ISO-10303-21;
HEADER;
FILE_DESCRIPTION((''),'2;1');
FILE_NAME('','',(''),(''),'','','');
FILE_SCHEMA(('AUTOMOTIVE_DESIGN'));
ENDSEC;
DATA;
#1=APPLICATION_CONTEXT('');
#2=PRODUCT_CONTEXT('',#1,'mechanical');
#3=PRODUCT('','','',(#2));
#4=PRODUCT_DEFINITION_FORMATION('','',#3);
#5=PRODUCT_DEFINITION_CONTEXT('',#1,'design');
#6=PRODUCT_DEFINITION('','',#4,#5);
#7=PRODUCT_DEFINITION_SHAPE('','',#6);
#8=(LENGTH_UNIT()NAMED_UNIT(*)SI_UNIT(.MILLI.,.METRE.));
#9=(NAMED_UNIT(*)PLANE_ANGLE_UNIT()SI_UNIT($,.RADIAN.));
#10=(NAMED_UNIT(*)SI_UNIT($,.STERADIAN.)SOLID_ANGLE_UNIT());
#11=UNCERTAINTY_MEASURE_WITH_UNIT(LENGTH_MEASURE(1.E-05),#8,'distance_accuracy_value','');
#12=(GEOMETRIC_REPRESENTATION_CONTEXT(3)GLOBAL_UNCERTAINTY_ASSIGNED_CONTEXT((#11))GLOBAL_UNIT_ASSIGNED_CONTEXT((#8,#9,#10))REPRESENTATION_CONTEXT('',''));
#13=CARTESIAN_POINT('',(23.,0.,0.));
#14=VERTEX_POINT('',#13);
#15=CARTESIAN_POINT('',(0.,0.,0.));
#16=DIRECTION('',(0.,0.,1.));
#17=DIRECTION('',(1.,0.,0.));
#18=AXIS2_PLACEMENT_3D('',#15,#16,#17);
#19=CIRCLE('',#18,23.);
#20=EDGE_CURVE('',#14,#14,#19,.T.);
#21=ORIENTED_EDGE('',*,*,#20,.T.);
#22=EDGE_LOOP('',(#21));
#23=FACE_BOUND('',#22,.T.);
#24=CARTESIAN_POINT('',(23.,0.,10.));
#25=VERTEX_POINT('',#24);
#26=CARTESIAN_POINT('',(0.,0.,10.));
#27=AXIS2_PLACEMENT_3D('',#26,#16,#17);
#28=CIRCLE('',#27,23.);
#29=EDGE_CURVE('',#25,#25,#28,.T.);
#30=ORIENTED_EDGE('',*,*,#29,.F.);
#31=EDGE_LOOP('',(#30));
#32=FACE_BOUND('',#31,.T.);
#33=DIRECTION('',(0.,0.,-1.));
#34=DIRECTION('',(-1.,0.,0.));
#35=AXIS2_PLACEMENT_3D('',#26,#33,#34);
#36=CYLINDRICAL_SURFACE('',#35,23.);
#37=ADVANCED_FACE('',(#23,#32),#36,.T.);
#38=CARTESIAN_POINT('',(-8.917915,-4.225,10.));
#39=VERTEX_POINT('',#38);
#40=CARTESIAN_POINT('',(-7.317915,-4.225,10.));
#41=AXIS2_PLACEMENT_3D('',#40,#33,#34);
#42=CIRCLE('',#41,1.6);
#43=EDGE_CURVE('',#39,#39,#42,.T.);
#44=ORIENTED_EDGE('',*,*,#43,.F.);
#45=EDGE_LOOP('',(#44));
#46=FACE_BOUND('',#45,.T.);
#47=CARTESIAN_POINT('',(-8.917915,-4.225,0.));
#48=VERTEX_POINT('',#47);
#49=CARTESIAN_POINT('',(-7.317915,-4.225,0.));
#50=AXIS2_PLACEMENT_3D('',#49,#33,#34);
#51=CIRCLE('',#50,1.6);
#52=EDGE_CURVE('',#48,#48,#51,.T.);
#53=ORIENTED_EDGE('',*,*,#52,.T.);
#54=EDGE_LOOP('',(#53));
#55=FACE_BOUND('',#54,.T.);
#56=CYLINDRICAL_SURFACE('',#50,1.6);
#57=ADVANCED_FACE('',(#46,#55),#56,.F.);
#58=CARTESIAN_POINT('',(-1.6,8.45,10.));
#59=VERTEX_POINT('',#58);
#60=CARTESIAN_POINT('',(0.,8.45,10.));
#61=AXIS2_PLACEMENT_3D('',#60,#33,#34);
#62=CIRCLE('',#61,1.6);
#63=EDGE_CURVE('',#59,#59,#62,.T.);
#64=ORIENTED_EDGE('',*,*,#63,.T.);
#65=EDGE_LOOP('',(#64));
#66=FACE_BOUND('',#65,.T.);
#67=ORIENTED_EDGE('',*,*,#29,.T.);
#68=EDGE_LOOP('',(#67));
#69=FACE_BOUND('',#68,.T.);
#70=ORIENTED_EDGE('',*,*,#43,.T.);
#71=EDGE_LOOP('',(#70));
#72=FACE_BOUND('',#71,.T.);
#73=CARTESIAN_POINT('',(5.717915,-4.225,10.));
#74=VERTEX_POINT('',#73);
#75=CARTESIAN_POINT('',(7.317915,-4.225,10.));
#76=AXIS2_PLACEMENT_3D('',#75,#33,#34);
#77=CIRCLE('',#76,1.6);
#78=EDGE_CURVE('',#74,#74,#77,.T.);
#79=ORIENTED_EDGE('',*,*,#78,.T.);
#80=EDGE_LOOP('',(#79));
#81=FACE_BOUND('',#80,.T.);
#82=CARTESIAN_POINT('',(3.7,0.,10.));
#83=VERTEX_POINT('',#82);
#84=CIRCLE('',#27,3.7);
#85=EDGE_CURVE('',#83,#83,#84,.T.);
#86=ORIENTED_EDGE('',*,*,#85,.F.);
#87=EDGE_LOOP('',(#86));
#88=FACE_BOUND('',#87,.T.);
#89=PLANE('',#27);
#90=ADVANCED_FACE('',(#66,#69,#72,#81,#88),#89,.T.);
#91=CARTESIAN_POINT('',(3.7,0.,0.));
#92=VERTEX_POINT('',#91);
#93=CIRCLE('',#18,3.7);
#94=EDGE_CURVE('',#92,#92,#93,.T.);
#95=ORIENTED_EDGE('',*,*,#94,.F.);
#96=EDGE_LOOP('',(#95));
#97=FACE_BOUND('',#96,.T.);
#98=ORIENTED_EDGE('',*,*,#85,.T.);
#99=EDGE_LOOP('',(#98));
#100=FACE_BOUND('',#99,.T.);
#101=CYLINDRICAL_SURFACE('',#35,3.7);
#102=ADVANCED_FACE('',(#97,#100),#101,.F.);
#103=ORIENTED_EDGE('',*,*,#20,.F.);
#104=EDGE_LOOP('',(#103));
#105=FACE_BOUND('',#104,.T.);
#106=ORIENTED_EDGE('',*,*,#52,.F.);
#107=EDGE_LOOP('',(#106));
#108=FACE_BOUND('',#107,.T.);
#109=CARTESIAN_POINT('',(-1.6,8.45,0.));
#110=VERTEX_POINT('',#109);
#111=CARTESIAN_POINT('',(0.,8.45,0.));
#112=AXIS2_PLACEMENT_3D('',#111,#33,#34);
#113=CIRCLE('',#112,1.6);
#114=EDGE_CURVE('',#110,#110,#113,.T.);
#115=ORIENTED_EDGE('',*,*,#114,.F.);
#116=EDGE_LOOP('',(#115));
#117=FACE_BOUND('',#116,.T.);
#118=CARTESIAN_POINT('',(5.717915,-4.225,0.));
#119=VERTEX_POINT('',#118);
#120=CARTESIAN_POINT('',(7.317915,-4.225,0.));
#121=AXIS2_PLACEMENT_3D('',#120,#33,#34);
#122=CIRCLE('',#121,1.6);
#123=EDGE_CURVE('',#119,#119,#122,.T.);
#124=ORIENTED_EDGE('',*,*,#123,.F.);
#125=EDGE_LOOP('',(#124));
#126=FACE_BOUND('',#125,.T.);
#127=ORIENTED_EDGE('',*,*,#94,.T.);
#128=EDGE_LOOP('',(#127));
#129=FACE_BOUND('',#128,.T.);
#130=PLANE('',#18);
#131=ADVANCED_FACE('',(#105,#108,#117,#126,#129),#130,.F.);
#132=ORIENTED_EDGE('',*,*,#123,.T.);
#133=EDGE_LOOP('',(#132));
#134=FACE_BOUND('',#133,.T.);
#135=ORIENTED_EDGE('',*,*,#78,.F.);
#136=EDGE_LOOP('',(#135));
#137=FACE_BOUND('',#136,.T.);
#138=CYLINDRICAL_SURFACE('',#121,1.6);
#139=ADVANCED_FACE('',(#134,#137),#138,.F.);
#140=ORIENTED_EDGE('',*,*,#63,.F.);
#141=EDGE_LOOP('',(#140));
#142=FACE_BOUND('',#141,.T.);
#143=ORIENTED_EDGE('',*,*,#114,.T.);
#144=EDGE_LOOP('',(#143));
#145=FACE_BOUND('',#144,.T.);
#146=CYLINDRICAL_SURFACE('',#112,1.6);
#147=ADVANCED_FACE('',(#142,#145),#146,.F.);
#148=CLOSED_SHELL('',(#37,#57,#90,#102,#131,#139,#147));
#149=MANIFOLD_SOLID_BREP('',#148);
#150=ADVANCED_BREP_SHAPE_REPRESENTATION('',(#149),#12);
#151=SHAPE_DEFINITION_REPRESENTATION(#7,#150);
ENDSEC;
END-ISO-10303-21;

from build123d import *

# Parameters (mm, degrees)
SKETCH1_R           = 23
SKETCH1_R_2         = 3.7
BOSS_EXTRUDE1_DEPTH = 10
HOLE1_D             = 3.2


with BuildPart() as part:
    # Sketch1 → Boss-Extrude1 (new body)
    with BuildSketch(Plane.XY):
        Circle(SKETCH1_R)
        Circle(SKETCH1_R_2, mode=Mode.SUBTRACT)
    extrude(amount=BOSS_EXTRUDE1_DEPTH)

    # Hole1 (through all)
    with Locations(Plane(origin=(0, 8.45, 0), x_dir=(-1, 0, 0), z_dir=(0, 0, -1))):
        with Locations((0, 0), (-7.317914662, -12.675), (7.317914662, -12.675)):
            Hole(HOLE1_D / 2)


solid = part.part
